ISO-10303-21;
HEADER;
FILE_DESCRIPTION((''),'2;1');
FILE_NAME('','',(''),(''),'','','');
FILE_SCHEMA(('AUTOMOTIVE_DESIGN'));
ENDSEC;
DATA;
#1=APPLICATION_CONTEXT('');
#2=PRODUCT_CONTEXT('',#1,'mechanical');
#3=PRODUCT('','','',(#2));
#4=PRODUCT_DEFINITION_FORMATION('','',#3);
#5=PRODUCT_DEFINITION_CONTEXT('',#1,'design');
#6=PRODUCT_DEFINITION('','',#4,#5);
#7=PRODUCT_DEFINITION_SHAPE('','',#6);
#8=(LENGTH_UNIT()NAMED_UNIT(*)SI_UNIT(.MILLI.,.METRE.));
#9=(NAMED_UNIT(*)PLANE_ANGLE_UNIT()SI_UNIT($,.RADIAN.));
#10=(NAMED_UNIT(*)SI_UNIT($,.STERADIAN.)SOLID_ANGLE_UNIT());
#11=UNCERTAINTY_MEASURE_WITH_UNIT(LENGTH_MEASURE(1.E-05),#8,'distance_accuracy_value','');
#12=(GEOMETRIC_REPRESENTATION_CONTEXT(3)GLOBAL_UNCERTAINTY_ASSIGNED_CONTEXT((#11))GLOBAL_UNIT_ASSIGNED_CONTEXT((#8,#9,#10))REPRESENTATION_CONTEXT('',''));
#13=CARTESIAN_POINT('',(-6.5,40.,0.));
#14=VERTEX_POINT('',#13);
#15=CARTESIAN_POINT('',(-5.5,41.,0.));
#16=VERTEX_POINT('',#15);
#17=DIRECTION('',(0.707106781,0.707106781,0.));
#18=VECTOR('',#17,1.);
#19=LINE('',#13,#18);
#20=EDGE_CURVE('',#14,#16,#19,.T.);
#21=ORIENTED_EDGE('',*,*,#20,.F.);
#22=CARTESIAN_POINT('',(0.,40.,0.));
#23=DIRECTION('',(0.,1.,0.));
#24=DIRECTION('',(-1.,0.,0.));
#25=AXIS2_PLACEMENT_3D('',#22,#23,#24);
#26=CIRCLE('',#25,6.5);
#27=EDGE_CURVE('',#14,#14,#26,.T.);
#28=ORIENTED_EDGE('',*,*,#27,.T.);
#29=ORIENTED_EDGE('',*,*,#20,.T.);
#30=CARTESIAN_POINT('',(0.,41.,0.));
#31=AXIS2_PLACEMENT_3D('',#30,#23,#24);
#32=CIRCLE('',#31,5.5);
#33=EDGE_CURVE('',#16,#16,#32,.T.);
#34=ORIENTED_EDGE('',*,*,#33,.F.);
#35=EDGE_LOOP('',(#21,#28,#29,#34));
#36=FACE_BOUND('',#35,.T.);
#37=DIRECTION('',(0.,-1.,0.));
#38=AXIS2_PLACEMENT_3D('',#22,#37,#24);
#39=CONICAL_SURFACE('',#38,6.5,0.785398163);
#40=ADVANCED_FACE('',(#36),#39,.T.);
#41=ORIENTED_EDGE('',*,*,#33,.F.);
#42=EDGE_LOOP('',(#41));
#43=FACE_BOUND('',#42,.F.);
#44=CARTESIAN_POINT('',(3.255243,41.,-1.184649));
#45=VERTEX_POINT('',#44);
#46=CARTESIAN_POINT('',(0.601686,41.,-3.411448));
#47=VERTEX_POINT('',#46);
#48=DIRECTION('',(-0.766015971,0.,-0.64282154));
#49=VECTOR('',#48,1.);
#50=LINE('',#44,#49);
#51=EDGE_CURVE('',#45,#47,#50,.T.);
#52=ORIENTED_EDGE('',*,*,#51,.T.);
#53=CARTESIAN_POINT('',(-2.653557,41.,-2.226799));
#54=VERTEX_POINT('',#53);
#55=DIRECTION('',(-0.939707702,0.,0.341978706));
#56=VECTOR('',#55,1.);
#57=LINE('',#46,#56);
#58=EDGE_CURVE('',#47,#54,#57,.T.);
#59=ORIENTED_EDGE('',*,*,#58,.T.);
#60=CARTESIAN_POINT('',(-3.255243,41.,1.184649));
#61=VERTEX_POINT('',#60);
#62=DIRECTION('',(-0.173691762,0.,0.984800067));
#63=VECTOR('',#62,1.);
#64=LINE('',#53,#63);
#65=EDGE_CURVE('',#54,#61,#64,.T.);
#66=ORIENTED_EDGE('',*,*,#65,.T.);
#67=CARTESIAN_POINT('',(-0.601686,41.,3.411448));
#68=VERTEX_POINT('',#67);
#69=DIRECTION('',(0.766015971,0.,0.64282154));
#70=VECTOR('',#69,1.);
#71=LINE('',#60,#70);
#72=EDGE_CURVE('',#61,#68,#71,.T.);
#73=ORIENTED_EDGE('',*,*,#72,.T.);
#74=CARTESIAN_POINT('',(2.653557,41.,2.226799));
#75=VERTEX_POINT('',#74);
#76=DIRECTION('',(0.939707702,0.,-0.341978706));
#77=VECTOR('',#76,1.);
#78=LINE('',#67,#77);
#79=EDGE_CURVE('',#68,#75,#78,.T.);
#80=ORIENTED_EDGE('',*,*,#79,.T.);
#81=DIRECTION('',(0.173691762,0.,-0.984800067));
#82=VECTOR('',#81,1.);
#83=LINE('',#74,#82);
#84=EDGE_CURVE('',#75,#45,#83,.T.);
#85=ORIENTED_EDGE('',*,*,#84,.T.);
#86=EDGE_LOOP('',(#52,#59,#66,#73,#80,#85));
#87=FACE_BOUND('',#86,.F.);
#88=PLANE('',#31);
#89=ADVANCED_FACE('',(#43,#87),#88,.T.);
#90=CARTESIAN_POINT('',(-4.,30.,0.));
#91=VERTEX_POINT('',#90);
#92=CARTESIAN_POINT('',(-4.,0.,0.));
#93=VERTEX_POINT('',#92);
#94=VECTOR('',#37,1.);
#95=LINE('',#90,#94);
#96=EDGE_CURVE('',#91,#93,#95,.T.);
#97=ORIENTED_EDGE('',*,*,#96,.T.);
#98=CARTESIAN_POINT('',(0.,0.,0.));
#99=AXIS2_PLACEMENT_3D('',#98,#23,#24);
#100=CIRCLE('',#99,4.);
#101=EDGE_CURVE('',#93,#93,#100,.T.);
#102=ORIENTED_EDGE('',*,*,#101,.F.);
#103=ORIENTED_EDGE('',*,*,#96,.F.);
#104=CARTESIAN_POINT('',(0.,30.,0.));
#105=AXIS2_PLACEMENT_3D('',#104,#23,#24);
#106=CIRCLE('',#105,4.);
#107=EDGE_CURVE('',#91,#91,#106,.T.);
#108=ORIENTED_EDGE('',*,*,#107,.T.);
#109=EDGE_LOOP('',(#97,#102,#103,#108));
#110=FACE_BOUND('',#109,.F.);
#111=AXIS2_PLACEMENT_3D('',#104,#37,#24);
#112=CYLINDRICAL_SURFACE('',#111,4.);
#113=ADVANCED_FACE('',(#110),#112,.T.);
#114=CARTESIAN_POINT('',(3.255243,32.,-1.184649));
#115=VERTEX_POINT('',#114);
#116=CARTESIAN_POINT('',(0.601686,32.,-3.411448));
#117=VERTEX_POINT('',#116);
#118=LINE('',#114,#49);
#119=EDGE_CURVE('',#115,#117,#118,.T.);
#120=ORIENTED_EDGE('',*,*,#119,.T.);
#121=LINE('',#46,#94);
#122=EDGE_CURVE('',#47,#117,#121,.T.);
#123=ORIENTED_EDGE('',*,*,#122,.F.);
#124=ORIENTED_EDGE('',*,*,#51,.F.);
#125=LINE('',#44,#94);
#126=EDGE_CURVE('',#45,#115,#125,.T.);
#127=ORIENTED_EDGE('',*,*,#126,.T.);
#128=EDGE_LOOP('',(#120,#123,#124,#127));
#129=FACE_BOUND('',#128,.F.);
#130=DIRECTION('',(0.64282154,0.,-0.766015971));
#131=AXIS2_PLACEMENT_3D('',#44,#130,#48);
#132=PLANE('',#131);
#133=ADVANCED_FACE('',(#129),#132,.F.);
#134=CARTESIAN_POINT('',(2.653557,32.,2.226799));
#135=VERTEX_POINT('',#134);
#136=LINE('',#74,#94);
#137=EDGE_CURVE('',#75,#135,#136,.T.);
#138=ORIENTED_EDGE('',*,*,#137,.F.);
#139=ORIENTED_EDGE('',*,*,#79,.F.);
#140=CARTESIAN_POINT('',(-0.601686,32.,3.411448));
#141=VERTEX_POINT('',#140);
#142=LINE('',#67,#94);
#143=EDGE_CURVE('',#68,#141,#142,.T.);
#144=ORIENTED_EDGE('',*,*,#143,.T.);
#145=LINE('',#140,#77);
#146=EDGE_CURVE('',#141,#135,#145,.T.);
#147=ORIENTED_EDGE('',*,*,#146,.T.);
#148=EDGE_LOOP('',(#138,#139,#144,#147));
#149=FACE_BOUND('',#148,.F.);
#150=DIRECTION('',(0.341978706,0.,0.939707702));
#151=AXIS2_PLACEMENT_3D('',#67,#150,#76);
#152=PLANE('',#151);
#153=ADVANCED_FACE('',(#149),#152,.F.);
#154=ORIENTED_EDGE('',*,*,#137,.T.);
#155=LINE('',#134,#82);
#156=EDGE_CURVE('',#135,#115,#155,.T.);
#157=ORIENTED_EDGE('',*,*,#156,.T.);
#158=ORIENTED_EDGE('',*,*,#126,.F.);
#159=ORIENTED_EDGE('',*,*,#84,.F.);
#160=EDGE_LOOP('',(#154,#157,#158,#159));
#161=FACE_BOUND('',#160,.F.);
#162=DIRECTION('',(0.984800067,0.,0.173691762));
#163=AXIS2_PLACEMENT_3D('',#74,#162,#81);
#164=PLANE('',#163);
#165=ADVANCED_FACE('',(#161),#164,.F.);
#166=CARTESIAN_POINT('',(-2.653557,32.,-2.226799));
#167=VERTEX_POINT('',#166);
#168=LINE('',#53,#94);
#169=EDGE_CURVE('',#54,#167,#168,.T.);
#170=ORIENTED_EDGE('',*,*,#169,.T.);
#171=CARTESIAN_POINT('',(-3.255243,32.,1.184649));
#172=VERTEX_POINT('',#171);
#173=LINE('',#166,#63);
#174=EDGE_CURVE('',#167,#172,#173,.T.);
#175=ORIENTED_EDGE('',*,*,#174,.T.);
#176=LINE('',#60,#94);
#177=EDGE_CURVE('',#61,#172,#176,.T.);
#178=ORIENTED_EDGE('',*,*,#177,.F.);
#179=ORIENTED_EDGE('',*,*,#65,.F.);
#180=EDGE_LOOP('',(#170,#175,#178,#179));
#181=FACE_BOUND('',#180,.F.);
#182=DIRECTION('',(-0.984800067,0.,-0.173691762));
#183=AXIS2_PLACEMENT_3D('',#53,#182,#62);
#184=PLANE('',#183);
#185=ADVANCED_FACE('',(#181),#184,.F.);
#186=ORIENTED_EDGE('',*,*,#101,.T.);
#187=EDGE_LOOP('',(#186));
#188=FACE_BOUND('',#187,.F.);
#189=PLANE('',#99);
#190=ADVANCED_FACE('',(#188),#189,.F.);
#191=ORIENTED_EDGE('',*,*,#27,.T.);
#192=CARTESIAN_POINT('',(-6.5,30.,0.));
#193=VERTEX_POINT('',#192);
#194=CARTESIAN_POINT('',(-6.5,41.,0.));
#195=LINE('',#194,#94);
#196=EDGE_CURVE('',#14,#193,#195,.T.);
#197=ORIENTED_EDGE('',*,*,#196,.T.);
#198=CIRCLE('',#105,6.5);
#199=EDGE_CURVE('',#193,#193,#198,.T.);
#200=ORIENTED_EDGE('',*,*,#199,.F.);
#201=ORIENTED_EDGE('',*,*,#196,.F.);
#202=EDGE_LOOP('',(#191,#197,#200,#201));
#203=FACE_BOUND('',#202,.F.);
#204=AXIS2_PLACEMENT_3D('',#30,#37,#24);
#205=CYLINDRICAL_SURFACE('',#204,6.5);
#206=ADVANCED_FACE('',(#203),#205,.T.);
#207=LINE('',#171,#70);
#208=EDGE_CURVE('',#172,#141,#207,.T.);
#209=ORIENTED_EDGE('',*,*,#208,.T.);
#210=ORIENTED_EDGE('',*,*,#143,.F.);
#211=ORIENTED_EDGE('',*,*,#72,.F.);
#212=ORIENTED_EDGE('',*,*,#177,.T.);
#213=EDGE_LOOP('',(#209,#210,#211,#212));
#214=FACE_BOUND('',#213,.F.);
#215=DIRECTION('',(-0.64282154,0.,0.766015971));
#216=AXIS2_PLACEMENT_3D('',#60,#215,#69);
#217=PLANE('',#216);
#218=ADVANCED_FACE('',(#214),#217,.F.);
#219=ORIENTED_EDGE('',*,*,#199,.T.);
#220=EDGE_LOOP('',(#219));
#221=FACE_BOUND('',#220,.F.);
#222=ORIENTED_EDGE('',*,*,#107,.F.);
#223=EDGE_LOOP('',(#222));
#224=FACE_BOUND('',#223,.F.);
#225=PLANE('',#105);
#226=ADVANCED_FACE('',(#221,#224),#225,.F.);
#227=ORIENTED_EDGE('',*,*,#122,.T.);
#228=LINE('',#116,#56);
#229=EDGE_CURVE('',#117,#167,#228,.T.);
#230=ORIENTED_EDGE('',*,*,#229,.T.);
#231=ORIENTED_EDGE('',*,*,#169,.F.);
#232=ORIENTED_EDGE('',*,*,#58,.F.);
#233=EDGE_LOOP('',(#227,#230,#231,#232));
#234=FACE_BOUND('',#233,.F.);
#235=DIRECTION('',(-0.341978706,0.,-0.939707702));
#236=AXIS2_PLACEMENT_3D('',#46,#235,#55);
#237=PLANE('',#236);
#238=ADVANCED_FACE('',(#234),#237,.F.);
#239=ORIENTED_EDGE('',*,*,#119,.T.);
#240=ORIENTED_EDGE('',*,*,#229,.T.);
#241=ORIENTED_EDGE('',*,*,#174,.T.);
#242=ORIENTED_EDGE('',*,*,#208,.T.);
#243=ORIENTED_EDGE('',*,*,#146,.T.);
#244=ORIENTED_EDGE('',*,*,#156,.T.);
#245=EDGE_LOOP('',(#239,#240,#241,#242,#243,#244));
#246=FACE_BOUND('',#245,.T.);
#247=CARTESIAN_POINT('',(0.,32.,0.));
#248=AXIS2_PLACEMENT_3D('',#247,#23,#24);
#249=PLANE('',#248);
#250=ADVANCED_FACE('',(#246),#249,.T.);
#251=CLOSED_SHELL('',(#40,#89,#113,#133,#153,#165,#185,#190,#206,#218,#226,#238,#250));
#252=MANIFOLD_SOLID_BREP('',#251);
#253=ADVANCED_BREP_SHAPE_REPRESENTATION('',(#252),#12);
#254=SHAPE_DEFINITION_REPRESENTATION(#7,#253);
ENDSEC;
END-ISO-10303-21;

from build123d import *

# Parameters (mm, degrees)
F3_DEPTH = 9
F4_SIZE  = 1


with BuildPart() as f1:
    # F0 (on Top) → F1 (revolve)
    with BuildSketch(Plane.XY):
        Polygon((-4, 0), (0, 0), (0, 41), (-6.5, 41), (-6.5, 30), (-4, 30), align=None)
    revolve(axis=Axis((0, 20.5, 0), (0, 1, 0)))

    # F2 (on face) → F3 (cut)
    with BuildSketch(Plane(origin=(0, 41, 0), x_dir=(-1, 0, 0), z_dir=(0, 1, 0))):
        Polygon((-3.255243, -1.184649), (-0.601686, -3.411448), (2.653557, -2.226799), (3.255243, 1.184649), (0.601686, 3.411448), (-2.653557, 2.226799), align=None)
    extrude(amount=-F3_DEPTH, mode=Mode.SUBTRACT)

    # F4
    f4_edges = [f1.edges().sort_by_distance(p)[0] for p in [
        (6.5, 41, 0),
    ]]
    chamfer(f4_edges, length=F4_SIZE)


solid = f1.part
